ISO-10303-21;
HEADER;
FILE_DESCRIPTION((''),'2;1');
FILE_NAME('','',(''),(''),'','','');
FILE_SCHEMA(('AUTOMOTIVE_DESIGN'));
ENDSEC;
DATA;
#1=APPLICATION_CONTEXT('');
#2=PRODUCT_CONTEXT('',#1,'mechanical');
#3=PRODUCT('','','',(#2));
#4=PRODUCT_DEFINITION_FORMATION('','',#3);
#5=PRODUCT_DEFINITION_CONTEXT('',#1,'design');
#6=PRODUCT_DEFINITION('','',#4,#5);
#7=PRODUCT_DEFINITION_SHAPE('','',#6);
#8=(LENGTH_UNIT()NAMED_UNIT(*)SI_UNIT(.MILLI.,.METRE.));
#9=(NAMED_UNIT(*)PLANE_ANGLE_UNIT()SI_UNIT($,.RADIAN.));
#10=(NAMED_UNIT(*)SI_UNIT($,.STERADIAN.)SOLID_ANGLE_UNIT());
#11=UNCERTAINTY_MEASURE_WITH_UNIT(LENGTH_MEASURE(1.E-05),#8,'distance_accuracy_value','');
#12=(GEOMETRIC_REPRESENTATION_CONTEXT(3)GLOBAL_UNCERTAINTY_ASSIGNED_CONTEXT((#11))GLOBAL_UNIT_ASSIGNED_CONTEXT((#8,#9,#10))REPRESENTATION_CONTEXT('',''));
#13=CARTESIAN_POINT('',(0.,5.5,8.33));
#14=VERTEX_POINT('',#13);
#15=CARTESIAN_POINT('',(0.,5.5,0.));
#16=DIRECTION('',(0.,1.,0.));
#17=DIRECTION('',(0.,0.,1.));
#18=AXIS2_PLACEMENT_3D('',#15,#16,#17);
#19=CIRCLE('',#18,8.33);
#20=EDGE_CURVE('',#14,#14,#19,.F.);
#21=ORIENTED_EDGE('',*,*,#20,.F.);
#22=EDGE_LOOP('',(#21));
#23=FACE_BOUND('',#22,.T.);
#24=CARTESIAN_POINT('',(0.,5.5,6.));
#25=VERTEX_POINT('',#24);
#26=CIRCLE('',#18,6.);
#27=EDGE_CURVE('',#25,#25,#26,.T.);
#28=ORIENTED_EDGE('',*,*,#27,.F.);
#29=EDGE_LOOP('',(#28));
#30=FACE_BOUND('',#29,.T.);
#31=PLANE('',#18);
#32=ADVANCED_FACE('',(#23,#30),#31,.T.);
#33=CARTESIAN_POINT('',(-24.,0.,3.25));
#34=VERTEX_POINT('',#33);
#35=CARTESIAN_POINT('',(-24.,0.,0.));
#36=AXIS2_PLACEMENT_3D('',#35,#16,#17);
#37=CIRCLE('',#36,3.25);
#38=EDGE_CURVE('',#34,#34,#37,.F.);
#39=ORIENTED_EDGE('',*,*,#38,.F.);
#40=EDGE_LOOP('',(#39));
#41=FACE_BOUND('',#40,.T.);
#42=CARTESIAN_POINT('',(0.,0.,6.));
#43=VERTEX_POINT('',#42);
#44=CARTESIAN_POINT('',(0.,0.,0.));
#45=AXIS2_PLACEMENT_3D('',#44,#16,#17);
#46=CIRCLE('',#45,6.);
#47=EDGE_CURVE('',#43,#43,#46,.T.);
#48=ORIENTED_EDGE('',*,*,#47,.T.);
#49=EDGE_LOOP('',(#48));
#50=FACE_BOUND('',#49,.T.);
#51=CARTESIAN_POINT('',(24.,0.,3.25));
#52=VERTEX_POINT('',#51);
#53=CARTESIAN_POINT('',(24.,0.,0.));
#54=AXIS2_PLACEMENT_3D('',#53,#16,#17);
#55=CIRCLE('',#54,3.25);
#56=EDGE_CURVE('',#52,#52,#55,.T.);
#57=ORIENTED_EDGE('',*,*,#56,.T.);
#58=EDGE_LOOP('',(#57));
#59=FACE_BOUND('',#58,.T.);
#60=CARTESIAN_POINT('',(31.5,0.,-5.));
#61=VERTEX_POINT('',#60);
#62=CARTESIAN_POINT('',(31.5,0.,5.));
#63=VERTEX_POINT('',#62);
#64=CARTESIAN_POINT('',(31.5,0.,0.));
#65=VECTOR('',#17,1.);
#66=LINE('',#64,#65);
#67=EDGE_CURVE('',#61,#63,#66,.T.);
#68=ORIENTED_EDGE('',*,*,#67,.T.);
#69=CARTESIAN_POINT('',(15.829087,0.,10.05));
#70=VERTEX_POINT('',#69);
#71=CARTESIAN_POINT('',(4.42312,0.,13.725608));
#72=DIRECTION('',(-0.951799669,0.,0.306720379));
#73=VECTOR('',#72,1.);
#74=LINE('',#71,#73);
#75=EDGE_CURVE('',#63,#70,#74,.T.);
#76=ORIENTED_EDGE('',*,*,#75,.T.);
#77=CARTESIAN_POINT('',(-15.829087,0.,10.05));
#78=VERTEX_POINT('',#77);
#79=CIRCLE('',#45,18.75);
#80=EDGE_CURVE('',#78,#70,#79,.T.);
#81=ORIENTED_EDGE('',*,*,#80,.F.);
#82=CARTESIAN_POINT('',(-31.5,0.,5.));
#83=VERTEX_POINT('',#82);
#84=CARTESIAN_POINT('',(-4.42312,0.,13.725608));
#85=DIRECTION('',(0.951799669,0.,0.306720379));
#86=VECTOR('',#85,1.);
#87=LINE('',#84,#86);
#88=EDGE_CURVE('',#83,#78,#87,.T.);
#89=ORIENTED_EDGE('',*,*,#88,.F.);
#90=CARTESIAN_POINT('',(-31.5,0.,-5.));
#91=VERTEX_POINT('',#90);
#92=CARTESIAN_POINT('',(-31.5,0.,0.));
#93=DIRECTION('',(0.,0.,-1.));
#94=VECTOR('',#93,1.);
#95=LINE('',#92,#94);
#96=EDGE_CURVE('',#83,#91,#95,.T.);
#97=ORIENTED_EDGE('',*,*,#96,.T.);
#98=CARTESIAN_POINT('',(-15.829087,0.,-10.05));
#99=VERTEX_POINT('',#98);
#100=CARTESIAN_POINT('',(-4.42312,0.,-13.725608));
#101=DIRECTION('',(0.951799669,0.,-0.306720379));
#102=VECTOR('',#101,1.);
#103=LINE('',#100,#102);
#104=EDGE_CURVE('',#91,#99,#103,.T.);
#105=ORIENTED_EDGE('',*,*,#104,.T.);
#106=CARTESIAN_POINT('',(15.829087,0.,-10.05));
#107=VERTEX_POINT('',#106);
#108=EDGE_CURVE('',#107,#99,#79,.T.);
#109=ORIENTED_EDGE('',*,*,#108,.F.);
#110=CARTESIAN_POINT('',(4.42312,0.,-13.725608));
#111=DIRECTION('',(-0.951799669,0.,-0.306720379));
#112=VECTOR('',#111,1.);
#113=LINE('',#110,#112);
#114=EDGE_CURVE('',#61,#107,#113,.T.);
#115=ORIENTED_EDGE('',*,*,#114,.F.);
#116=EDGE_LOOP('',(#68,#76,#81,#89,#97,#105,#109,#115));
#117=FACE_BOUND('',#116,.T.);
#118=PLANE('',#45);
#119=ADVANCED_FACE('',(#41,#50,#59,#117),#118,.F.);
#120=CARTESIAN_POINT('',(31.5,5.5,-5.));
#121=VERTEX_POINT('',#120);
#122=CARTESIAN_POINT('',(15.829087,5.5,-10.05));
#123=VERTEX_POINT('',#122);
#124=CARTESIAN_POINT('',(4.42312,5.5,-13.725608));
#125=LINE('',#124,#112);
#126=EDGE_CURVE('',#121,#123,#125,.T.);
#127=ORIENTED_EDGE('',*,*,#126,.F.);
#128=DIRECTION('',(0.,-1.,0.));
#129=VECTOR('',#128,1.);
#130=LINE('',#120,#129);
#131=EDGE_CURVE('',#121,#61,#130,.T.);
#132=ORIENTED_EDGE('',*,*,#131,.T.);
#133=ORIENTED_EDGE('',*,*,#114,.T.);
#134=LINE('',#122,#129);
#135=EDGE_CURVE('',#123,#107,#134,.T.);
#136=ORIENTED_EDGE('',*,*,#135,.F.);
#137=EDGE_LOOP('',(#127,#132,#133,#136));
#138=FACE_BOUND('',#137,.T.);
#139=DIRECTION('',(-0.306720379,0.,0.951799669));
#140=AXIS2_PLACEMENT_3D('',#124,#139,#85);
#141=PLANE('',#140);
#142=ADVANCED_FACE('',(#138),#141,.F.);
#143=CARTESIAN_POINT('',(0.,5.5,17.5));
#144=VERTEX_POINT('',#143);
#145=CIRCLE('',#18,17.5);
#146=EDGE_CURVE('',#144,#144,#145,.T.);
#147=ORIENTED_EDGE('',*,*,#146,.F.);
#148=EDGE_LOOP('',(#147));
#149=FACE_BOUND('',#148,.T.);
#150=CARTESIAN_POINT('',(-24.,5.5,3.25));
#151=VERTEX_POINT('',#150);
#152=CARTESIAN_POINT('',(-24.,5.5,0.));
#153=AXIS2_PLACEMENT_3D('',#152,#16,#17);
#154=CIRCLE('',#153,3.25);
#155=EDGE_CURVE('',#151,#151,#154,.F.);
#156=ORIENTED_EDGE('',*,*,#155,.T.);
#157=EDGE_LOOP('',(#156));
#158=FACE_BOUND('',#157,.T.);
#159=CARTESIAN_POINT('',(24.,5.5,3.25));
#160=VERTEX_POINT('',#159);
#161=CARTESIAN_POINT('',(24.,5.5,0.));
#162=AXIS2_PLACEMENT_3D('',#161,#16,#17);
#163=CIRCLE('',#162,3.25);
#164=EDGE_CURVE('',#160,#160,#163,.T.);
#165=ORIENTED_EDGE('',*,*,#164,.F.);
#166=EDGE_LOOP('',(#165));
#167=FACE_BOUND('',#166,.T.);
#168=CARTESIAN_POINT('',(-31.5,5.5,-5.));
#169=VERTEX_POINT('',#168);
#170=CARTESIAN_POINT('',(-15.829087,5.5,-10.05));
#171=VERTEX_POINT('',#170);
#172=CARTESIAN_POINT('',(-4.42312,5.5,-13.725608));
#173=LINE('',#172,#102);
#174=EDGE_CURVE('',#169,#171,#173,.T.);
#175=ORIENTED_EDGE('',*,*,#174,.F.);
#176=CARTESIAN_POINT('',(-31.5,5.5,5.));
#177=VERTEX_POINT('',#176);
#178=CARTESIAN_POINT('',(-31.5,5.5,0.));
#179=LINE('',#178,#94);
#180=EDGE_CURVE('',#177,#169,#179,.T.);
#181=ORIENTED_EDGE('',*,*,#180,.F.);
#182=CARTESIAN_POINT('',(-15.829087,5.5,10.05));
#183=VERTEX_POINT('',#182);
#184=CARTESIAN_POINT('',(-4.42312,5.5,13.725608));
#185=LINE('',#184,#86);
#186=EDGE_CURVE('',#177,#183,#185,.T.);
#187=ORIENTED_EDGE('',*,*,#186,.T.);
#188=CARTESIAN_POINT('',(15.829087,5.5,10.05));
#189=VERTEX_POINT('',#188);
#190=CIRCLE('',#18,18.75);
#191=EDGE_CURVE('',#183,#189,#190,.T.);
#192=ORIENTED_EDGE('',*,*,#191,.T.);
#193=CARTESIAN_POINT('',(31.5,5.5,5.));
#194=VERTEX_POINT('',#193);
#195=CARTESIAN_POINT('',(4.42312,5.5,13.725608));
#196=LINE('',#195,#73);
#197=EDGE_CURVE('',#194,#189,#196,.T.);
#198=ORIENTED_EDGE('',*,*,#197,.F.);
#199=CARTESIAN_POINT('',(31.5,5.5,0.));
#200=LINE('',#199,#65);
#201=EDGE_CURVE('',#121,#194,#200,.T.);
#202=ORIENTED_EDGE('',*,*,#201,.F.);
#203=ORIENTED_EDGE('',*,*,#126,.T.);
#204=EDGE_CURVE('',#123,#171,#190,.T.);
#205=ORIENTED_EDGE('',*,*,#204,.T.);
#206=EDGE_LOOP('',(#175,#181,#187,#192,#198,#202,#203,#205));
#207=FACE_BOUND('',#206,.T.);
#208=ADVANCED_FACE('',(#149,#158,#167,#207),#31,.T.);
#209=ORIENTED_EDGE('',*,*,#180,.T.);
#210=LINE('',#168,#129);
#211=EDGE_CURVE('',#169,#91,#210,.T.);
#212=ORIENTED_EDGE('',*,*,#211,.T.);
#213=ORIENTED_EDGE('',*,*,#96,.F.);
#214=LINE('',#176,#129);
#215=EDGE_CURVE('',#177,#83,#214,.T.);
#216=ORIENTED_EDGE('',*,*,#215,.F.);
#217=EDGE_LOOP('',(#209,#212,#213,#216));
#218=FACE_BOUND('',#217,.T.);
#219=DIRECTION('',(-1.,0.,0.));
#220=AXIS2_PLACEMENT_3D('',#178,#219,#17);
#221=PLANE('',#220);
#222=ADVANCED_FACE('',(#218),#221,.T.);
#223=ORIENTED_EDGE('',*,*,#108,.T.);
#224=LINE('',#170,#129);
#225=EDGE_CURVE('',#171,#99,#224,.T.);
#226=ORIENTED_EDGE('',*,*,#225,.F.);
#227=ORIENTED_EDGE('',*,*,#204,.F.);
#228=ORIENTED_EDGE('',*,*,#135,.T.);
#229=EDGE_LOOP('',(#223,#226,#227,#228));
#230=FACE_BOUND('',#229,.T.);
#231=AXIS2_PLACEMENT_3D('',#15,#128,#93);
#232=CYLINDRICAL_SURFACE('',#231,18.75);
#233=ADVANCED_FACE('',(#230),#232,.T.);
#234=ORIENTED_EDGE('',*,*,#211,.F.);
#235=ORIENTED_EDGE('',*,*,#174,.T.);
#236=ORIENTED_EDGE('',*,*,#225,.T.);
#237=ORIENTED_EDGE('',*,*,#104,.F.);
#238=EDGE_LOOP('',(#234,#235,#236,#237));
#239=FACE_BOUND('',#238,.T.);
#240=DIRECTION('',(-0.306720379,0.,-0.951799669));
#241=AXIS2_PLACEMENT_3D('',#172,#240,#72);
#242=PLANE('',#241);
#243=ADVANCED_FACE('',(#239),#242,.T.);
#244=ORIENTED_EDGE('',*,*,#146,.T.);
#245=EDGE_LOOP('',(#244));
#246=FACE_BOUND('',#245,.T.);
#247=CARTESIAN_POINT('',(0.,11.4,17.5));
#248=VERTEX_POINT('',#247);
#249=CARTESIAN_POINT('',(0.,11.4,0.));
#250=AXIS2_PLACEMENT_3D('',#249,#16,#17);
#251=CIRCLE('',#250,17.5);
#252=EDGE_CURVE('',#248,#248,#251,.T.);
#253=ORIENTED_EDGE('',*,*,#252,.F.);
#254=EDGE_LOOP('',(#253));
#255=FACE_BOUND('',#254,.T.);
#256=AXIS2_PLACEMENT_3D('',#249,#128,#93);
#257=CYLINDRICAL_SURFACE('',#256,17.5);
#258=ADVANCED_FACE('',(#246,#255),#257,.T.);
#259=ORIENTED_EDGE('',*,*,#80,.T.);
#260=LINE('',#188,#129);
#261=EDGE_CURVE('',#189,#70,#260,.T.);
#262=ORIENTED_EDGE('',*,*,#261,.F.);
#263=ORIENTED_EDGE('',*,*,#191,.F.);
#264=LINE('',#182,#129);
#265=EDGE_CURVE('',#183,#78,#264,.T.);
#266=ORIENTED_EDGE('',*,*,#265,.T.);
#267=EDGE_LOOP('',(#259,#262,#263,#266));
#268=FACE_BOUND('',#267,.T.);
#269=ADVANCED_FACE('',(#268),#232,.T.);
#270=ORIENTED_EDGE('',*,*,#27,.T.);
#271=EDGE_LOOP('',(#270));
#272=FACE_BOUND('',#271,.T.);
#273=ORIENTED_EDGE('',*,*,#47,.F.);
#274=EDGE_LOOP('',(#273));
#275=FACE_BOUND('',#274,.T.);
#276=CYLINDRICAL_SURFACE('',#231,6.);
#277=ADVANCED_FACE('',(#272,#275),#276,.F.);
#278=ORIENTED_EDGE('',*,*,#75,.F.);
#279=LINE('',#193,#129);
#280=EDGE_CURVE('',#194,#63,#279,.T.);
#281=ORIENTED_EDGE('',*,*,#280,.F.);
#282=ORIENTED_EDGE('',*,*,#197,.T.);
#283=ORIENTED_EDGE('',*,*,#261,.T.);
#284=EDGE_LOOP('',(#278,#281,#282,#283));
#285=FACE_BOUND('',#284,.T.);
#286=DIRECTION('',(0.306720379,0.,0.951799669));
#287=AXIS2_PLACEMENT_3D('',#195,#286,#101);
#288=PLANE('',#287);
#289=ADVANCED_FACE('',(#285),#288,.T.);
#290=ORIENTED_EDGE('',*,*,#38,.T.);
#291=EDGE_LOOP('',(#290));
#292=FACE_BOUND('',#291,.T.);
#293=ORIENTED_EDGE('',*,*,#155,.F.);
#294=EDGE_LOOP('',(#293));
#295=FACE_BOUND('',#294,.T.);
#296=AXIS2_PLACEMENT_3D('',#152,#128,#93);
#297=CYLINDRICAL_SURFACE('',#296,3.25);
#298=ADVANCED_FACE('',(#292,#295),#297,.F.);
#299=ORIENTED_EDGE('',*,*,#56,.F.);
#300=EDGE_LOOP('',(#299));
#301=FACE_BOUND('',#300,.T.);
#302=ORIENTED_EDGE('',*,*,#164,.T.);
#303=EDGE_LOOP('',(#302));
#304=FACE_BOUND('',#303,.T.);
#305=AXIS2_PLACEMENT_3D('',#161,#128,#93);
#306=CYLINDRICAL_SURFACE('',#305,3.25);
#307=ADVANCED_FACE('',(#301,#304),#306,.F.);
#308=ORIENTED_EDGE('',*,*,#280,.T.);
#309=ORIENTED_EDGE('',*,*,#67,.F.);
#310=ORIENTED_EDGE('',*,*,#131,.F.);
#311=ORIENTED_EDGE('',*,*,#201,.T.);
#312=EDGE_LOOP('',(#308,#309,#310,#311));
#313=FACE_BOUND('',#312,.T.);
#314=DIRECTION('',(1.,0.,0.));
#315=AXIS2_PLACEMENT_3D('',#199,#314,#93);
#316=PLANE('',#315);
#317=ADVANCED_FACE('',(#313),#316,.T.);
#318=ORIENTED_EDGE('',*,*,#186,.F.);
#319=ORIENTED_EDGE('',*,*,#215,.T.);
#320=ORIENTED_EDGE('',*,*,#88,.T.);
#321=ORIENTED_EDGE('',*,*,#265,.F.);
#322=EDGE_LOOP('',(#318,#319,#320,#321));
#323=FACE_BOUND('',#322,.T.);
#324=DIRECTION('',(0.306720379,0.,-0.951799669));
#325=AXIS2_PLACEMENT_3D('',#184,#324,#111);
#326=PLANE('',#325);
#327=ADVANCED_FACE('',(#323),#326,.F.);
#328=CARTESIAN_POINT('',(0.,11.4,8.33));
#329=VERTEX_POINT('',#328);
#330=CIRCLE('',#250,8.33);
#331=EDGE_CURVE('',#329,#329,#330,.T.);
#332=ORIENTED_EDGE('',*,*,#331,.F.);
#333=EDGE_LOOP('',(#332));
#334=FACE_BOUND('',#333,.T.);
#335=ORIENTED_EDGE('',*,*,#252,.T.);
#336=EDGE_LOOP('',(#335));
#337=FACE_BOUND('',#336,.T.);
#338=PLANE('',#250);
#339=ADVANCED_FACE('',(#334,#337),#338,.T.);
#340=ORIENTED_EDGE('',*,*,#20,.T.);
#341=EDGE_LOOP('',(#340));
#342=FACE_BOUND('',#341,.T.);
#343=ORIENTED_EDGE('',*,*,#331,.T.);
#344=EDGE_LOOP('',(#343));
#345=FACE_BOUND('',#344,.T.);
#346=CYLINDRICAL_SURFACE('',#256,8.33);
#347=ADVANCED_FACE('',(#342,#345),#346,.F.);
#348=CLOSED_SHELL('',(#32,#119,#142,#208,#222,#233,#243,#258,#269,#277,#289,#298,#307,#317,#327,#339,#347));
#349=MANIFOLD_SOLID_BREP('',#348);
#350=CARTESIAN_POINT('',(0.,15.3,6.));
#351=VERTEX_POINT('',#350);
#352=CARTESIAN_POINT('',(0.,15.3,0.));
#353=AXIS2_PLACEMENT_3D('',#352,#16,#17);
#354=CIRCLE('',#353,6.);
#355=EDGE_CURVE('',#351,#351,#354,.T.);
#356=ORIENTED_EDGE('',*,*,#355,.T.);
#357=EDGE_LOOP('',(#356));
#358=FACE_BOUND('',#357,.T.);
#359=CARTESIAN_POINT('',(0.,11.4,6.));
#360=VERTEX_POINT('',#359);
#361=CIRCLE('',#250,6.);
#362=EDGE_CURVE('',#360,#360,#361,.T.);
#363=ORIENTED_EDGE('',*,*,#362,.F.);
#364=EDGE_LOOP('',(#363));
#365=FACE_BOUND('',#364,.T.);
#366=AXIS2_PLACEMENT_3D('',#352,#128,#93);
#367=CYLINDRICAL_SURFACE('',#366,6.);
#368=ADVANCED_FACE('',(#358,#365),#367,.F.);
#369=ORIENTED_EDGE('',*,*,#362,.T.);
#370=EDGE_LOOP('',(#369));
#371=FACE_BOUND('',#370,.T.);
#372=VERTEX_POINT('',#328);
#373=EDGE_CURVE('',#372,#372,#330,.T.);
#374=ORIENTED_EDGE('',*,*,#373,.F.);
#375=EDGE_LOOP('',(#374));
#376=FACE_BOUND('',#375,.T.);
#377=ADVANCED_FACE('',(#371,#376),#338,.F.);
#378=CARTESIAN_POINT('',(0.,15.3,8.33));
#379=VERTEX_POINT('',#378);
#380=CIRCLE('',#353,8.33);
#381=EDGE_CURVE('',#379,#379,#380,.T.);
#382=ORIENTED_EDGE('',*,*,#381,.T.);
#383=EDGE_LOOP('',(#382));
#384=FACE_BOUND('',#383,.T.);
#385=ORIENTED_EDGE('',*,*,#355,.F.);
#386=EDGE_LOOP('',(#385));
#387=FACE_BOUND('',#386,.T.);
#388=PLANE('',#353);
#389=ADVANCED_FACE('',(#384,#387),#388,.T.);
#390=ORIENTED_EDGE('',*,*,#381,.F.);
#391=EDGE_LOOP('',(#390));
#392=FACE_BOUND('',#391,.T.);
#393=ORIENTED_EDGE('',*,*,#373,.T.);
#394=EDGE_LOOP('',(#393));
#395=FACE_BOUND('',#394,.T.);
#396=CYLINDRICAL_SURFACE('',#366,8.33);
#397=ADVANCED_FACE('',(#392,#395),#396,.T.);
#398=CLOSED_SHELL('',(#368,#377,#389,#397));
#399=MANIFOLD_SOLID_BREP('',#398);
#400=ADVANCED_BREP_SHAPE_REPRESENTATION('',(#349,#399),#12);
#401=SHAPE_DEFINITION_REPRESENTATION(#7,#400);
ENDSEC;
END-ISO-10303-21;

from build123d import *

# Parameters (mm, degrees)
SKETCH1_R           = 18.75
SKETCH1_R_2         = 6
SKETCH1_R_3         = 3.25
BOSS_EXTRUDE1_DEPTH = 5.5
SKETCH2_R           = 17.5
SKETCH2_R_2         = 8.33
BOSS_EXTRUDE2_DEPTH = 5.9
SKETCH3_R           = 8.33
SKETCH3_R_2         = 6
BOSS_EXTRUDE3_DEPTH = 3.9


with BuildPart() as part:
    # Sketch1 → Boss-Extrude1 (new body)
    # profile 1 of 3: a face of its own
    with BuildSketch(Plane(origin=(0, 0, 0), x_dir=(1, 0, 0), z_dir=(0, 1, 0))):
        Circle(SKETCH1_R)
        with Locations(Location((0, 0, 0), (0, 0, 270))):
            Circle(SKETCH1_R_2, mode=Mode.SUBTRACT)
    # profile 2 of 3: a face of its own
    with BuildSketch(Plane(origin=(0, 0, 0), x_dir=(1, 0, 0), z_dir=(0, 1, 0))):
        with BuildLine():
            ThreePointArc((-15.82908715, -10.05), (-18.75, 0), (-15.82908715, 10.05))
            Line((-15.82908715, 10.05), (-31.5, 5))
            Line((-31.5, 5), (-31.5, 0))
            Line((-31.5, 0), (-31.5, -5))
            Line((-31.5, -5), (-15.82908715, -10.05))
        make_face()
        with Locations(Location((-24, 0, 0), (0, 0, 270))):
            Circle(SKETCH1_R_3, mode=Mode.SUBTRACT)
    # profile 3 of 3: a face of its own
    with BuildSketch(Plane(origin=(0, 0, 0), x_dir=(1, 0, 0), z_dir=(0, 1, 0))):
        with BuildLine():
            Line((31.5, -5), (31.5, 0))
            Line((31.5, 0), (31.5, 5))
            Line((31.5, 5), (15.82908715, 10.05))
            ThreePointArc((15.82908715, 10.05), (18.004969926, 5.232930151), (18.75, 0))
            ThreePointArc((18.75, 0), (18.004969926, -5.232930151), (15.82908715, -10.05))
            Line((15.82908715, -10.05), (31.5, -5))
        make_face()
        with Locations(Location((24, 0, 0), (0, 0, 270))):
            Circle(SKETCH1_R_3, mode=Mode.SUBTRACT)
    extrude(amount=BOSS_EXTRUDE1_DEPTH)

    # Sketch2 → Boss-Extrude2 (add)
    with BuildSketch(Plane(origin=(0, 5.5, 0), x_dir=(1, 0, 0), z_dir=(0, 1, 0))):
        with Locations(Location((0, 0, 0), (0, 0, 270))):
            Circle(SKETCH2_R)
        with Locations(Location((0, 0, 0), (0, 0, 270))):
            Circle(SKETCH2_R_2, mode=Mode.SUBTRACT)
    extrude(amount=BOSS_EXTRUDE2_DEPTH)


with BuildPart() as body_2:
    # Sketch3 → Boss-Extrude3 (new body)
    with BuildSketch(Plane(origin=(0, 11.4, 0), x_dir=(1, 0, 0), z_dir=(0, 1, 0))):
        with Locations(Location((0, 0, 0), (0, 0, 270))):
            Circle(SKETCH3_R)
        with Locations(Location((0, 0, 0), (0, 0, 270))):
            Circle(SKETCH3_R_2, mode=Mode.SUBTRACT)
    extrude(amount=BOSS_EXTRUDE3_DEPTH)


solid = Compound([part.part, body_2.part])
